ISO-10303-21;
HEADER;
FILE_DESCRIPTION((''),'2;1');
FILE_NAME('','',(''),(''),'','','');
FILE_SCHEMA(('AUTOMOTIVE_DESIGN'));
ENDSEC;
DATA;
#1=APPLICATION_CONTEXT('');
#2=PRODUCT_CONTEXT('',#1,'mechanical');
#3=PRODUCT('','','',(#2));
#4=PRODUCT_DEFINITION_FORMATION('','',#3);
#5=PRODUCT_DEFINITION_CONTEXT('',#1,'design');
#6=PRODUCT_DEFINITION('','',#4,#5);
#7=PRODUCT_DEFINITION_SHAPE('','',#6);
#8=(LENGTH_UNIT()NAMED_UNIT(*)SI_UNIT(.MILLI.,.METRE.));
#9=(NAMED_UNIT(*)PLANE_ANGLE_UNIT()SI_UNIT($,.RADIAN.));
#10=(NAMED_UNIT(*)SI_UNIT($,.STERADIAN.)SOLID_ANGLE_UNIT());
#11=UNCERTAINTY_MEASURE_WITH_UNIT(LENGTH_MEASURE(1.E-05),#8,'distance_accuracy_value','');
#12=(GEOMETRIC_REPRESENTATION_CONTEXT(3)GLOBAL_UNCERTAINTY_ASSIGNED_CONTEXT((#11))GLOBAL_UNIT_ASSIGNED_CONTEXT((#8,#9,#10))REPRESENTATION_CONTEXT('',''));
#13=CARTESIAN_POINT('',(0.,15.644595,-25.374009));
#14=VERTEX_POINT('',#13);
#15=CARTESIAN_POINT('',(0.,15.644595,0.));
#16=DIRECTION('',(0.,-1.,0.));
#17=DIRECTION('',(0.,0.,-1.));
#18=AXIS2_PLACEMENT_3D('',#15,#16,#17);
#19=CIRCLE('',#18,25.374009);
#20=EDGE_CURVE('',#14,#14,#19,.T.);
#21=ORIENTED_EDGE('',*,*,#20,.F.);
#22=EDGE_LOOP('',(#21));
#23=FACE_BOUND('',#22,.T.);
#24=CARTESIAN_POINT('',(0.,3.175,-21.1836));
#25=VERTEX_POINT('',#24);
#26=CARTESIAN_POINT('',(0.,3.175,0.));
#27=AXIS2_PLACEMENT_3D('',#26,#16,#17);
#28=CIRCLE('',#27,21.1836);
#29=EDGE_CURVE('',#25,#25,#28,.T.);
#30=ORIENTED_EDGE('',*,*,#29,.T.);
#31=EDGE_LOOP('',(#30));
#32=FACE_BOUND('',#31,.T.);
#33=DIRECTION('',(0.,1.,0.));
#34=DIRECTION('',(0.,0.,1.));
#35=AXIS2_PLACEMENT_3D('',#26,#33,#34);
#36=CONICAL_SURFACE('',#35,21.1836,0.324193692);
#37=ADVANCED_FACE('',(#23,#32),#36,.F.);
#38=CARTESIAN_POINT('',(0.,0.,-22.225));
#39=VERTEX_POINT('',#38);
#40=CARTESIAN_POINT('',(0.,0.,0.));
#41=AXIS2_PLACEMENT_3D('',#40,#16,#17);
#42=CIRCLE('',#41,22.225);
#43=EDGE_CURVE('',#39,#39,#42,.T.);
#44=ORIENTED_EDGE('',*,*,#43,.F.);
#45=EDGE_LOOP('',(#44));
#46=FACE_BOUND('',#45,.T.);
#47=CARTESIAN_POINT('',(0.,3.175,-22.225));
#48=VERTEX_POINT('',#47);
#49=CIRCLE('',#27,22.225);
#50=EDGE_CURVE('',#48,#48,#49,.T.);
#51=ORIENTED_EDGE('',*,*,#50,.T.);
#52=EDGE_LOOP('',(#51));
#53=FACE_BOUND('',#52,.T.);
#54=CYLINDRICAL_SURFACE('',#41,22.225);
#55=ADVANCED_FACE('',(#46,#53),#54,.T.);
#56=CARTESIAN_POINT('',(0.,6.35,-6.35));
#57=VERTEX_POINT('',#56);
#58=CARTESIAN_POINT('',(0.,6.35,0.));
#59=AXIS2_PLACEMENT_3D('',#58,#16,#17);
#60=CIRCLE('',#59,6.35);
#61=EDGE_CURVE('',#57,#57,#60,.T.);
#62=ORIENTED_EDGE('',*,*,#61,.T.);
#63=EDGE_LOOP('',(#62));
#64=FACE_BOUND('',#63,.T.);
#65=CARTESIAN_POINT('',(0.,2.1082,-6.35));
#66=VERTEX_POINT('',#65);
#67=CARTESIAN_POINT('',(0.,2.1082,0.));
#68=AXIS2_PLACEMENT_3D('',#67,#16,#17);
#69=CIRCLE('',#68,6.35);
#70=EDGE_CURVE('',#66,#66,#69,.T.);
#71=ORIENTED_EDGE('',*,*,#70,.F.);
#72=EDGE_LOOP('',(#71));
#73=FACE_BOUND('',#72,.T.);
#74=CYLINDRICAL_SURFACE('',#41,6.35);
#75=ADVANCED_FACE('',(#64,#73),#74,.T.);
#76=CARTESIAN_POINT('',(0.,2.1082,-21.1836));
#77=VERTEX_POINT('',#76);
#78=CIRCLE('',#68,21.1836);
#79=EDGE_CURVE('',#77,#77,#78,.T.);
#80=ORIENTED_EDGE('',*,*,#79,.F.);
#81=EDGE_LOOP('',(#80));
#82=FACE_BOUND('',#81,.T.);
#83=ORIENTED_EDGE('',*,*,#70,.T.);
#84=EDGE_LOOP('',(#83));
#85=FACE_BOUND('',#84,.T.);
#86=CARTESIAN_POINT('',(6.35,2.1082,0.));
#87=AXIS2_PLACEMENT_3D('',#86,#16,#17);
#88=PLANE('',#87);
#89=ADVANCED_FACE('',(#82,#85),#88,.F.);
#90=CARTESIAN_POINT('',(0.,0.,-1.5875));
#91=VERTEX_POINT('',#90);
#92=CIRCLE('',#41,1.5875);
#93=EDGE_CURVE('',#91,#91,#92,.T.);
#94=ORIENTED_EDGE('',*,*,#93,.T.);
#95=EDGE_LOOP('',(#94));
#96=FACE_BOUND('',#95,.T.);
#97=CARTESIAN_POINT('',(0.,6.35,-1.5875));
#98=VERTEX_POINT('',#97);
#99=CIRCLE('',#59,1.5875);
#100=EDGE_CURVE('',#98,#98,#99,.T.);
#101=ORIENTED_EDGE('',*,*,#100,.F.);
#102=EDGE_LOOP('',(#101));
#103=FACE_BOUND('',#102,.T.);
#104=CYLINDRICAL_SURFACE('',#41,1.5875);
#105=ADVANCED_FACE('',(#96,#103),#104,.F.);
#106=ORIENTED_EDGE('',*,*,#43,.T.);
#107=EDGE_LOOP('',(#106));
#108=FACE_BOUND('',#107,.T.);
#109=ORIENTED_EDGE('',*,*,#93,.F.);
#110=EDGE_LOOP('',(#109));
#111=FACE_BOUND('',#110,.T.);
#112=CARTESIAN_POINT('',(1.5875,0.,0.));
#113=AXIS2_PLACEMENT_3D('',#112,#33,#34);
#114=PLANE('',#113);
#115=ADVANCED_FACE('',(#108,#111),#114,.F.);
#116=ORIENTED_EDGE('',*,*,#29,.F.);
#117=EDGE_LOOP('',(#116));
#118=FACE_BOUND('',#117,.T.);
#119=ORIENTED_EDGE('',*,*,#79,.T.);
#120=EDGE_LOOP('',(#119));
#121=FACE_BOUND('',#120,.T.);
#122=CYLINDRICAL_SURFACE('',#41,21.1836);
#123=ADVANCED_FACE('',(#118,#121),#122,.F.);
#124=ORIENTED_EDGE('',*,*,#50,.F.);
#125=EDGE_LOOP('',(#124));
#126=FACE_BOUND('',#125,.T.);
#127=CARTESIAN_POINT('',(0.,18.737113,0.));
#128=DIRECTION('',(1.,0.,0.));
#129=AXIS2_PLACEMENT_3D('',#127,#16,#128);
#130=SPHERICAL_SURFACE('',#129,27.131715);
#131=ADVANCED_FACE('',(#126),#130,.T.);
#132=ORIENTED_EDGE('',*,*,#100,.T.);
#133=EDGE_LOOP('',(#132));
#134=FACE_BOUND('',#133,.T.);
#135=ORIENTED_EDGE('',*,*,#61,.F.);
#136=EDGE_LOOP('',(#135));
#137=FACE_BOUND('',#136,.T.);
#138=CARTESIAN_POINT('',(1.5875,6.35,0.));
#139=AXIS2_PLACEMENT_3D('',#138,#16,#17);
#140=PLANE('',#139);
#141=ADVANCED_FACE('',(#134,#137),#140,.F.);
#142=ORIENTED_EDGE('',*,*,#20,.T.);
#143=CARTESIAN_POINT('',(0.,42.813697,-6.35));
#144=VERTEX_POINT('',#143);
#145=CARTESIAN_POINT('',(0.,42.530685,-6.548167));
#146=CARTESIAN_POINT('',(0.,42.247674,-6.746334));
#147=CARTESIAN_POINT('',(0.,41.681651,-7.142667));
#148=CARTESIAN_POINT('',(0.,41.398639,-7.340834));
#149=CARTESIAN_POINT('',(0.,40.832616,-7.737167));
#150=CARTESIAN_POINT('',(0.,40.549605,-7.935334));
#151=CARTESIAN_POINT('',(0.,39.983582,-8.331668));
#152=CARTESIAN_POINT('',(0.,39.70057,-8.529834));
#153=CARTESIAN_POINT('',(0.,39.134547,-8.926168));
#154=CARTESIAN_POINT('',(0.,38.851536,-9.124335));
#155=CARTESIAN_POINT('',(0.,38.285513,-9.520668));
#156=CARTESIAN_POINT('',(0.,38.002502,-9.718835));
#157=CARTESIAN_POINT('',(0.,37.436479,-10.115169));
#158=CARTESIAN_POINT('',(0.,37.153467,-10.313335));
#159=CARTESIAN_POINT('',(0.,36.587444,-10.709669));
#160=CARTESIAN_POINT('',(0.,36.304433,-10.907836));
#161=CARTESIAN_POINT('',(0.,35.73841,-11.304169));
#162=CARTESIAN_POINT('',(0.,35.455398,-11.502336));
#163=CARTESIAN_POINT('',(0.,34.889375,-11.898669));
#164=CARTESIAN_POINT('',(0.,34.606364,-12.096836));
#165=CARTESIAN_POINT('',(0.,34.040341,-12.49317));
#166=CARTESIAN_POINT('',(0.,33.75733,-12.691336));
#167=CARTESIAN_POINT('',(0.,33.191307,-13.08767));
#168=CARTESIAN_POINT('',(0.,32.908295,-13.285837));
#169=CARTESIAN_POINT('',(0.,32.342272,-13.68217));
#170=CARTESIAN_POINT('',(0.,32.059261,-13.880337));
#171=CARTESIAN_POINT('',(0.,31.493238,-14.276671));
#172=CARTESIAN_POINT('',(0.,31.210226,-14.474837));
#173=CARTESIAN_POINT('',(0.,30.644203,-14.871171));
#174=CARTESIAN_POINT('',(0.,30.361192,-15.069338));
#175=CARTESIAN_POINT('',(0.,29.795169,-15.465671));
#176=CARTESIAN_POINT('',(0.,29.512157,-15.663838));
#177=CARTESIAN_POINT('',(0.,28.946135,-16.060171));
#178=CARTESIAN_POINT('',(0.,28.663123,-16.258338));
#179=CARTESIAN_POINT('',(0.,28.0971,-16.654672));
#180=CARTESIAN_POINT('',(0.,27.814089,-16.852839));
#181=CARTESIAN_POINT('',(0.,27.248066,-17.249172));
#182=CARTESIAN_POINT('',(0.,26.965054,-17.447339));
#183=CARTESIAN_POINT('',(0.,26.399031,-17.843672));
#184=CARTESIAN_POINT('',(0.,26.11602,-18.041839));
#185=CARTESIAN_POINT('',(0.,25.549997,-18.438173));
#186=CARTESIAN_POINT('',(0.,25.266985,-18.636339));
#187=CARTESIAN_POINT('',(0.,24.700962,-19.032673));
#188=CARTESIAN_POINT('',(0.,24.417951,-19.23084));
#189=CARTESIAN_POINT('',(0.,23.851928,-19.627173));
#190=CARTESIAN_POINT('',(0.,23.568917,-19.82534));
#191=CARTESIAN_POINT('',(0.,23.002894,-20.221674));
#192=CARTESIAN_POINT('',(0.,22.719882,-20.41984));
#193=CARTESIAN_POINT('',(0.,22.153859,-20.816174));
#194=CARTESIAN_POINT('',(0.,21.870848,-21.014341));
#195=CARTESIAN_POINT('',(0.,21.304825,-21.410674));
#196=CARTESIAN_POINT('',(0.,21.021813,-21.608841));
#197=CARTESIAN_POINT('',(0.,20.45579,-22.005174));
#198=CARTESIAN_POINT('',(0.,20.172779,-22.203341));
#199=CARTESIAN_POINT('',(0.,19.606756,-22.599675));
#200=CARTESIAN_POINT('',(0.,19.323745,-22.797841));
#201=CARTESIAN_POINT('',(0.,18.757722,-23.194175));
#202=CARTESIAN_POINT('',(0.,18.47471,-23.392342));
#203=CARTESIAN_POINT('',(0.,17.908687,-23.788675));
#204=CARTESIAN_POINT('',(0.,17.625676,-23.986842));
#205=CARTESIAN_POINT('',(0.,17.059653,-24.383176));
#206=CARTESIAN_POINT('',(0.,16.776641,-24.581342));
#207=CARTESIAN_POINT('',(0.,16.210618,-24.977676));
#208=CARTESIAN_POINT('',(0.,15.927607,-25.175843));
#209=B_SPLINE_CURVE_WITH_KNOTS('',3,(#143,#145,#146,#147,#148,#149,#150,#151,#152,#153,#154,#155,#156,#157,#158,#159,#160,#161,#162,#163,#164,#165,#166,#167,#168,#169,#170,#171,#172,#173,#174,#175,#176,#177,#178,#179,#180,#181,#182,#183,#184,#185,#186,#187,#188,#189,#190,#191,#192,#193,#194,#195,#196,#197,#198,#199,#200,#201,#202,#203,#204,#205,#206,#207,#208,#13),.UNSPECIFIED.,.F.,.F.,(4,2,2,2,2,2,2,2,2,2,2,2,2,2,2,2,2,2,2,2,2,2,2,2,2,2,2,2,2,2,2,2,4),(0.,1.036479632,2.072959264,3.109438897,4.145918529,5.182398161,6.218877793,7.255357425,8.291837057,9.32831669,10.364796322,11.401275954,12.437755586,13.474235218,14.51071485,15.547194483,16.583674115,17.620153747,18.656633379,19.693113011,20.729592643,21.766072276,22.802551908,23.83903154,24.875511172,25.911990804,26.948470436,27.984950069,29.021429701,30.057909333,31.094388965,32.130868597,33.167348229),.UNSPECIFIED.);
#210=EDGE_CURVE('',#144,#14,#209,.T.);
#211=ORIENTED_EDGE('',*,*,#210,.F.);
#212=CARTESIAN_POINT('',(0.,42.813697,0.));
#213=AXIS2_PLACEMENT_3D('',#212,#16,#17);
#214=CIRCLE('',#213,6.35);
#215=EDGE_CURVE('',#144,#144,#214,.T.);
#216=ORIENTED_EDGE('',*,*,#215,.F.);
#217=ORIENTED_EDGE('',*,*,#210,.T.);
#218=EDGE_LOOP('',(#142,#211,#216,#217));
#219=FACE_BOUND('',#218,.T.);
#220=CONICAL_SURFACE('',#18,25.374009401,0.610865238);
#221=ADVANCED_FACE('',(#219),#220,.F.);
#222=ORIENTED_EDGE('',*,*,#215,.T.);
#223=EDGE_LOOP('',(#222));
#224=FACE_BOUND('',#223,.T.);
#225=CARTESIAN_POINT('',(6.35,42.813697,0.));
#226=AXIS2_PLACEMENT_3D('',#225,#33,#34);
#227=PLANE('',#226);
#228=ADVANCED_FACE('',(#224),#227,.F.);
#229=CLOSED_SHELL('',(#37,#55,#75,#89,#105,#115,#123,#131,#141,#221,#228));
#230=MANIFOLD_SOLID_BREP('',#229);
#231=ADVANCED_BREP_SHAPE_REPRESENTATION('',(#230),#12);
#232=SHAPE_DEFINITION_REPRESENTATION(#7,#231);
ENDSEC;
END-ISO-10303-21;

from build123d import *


with BuildPart() as part:
    # Sketch1 → Revolve1 (revolve)
    with BuildSketch(Plane.XY, mode=Mode.PRIVATE) as revolve1_sk:
        with BuildLine():
            Line((-1.5875, 0), (-22.225, 0))
            Line((-22.225, 0), (-22.225, 3.175))
            ThreePointArc((-22.225, 3.175), (-24.066125336, 31.265144421), (0, 45.868827772))
            Line((0, 45.868827772), (0, 42.813696551))
            Line((0, 42.813696551), (-6.35, 42.813696551))
            Line((-6.35, 42.813696551), (-21.1836, 21.629120278))
            Line((-21.1836, 21.629120278), (-25.374009401, 15.644595445))
            Line((-25.374009401, 15.644595445), (-21.1836, 3.175))
            Line((-21.1836, 3.175), (-21.1836, 2.1082))
            Line((-21.1836, 2.1082), (-6.35, 2.1082))
            Line((-6.35, 2.1082), (-6.35, 6.35))
            Line((-6.35, 6.35), (-1.5875, 6.35))
            Line((-1.5875, 6.35), (-1.5875, 2.1082))
            Line((-1.5875, 2.1082), (-1.5875, 0))
        make_face()
    revolve(revolve1_sk.sketch.rotate(Axis((0, 0, 0), (0, 1, 0)), 270), axis=Axis((0, 0, 0), (0, 1, 0)))


solid = part.part
